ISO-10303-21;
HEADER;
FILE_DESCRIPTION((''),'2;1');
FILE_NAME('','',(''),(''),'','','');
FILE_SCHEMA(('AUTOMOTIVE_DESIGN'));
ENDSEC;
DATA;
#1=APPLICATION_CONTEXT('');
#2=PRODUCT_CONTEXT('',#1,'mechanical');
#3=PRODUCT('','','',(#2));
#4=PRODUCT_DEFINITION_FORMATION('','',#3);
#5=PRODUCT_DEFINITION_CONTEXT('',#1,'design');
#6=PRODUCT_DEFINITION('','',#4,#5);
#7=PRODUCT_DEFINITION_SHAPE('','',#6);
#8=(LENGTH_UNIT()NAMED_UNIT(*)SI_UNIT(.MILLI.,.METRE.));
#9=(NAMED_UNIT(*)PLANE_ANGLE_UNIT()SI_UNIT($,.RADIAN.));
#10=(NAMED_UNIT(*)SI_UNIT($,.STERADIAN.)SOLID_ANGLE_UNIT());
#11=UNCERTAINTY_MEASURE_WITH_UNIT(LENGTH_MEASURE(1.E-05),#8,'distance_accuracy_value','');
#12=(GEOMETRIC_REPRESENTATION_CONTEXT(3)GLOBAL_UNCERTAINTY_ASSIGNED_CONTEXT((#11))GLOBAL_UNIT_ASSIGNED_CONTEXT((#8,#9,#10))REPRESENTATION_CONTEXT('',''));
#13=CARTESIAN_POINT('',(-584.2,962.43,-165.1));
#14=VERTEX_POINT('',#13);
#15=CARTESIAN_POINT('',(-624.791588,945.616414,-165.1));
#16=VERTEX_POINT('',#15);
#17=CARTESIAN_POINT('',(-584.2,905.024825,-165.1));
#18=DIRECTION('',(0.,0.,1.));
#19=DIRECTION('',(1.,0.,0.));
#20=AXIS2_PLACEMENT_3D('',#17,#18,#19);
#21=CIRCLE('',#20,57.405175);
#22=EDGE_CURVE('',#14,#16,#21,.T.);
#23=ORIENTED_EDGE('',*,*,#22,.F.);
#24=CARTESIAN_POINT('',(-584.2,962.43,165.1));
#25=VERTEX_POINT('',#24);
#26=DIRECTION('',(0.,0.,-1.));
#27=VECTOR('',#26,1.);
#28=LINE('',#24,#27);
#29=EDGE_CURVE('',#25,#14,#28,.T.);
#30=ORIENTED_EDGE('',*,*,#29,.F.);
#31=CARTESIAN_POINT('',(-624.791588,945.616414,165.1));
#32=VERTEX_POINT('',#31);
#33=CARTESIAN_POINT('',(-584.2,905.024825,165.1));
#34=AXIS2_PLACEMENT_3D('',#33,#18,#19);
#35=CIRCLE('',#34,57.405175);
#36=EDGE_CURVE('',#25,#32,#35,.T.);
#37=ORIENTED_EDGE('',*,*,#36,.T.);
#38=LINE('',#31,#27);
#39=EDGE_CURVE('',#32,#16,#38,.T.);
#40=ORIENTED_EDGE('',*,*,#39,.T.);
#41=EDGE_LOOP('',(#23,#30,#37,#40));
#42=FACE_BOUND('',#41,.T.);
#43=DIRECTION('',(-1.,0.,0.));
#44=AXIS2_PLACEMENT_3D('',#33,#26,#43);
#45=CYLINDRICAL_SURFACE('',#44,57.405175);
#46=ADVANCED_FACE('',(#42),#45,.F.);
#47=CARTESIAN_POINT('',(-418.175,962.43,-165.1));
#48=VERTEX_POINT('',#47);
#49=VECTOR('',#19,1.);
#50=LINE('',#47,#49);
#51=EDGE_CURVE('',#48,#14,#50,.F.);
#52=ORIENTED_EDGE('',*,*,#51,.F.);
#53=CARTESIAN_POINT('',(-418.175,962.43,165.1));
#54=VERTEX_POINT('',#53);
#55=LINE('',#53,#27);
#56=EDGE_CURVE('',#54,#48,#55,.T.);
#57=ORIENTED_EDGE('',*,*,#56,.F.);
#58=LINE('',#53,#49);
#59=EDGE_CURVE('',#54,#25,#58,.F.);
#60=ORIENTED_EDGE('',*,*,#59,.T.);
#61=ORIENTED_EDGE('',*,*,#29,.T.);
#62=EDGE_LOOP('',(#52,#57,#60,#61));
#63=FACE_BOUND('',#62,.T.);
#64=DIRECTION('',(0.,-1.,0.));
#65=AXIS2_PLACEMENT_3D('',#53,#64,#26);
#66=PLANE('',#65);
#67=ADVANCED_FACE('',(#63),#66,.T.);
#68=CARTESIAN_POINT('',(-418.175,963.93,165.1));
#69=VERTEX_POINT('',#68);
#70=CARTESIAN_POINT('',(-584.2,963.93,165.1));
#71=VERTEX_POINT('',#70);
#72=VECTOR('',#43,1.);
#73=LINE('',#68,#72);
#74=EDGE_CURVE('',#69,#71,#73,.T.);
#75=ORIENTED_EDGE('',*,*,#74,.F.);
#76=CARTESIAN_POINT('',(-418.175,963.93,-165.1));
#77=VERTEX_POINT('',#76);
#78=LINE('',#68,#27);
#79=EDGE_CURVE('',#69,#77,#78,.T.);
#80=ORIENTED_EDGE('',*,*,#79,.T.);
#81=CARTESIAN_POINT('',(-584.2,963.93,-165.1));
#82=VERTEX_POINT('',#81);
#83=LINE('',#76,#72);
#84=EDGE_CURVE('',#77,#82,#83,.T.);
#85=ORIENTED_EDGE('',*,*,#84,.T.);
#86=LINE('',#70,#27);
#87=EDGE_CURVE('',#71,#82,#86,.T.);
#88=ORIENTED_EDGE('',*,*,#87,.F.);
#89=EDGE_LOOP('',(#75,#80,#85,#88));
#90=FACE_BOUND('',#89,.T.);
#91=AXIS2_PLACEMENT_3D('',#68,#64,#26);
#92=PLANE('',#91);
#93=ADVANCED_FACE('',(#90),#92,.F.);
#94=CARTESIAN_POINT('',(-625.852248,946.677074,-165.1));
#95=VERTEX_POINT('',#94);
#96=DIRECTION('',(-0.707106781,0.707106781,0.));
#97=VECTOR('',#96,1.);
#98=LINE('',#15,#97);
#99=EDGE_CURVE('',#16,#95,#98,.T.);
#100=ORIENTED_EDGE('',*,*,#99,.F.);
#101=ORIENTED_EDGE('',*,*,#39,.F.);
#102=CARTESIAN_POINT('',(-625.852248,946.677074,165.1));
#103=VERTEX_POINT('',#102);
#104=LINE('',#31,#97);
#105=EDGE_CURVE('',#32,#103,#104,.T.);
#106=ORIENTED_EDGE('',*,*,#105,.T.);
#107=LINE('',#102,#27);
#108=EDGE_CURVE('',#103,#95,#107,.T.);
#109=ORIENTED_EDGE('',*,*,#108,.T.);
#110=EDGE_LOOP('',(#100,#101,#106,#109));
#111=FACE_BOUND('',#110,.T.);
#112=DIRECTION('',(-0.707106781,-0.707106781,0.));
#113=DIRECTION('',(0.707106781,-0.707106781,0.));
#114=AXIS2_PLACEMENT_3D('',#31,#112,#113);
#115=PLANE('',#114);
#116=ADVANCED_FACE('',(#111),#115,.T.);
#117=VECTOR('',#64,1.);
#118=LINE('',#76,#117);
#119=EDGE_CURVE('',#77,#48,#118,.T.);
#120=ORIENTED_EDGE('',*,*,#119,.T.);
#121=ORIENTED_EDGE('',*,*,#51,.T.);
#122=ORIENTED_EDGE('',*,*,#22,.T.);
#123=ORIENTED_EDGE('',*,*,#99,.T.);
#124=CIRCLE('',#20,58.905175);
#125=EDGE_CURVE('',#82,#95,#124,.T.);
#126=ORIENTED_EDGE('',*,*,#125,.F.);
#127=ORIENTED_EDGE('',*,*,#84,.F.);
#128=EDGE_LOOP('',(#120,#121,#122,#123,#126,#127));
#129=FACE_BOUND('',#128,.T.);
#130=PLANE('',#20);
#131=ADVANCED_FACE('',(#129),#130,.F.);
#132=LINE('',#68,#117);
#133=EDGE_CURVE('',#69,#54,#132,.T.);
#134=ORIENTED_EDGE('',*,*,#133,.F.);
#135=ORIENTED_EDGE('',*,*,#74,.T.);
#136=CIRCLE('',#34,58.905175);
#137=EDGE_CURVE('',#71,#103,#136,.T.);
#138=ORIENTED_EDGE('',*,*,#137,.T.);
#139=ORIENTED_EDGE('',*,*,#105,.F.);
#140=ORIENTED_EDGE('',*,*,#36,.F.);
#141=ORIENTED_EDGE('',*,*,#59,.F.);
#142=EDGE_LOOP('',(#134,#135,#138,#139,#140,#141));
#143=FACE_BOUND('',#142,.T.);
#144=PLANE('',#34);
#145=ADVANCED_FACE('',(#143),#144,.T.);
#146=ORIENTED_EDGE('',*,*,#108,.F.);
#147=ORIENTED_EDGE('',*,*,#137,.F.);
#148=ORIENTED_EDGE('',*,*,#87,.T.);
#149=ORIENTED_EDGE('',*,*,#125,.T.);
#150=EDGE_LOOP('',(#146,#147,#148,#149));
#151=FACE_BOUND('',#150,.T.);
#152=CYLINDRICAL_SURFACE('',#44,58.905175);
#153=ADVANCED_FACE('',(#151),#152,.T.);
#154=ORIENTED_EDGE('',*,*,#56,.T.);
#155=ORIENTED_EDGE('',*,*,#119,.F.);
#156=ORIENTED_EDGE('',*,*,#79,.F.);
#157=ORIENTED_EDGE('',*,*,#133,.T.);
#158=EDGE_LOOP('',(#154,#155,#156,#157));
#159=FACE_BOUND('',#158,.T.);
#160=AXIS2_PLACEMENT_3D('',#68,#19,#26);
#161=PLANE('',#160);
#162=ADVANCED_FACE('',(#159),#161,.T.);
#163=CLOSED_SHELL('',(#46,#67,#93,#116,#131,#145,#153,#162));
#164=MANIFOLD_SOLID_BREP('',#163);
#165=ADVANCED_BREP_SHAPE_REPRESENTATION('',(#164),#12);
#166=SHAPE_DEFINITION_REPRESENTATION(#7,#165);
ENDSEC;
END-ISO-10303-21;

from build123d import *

# Parameters (mm, degrees)
EXTRUDE_THIN1_DEPTH = 165.1


with BuildPart() as part:
    # Sketch1 → Extrude-Thin1 (new body, symmetric)
    with BuildSketch(Plane.XY):
        with BuildLine():
            Line((-418.175, 963.93), (-584.2, 963.93))
            ThreePointArc((-584.2, 963.93), (-606.742034443, 959.446110563), (-625.852248486, 946.677073774))
            Line((-625.852248486, 946.677073774), (-624.791588314, 945.616413602))
            ThreePointArc((-624.791588314, 945.616413602), (-606.168009294, 958.060291265), (-584.2, 962.43))
            Line((-584.2, 962.43), (-418.175, 962.43))
            Line((-418.175, 962.43), (-418.175, 963.93))
        make_face()
    extrude(amount=EXTRUDE_THIN1_DEPTH, both=True)


solid = part.part
